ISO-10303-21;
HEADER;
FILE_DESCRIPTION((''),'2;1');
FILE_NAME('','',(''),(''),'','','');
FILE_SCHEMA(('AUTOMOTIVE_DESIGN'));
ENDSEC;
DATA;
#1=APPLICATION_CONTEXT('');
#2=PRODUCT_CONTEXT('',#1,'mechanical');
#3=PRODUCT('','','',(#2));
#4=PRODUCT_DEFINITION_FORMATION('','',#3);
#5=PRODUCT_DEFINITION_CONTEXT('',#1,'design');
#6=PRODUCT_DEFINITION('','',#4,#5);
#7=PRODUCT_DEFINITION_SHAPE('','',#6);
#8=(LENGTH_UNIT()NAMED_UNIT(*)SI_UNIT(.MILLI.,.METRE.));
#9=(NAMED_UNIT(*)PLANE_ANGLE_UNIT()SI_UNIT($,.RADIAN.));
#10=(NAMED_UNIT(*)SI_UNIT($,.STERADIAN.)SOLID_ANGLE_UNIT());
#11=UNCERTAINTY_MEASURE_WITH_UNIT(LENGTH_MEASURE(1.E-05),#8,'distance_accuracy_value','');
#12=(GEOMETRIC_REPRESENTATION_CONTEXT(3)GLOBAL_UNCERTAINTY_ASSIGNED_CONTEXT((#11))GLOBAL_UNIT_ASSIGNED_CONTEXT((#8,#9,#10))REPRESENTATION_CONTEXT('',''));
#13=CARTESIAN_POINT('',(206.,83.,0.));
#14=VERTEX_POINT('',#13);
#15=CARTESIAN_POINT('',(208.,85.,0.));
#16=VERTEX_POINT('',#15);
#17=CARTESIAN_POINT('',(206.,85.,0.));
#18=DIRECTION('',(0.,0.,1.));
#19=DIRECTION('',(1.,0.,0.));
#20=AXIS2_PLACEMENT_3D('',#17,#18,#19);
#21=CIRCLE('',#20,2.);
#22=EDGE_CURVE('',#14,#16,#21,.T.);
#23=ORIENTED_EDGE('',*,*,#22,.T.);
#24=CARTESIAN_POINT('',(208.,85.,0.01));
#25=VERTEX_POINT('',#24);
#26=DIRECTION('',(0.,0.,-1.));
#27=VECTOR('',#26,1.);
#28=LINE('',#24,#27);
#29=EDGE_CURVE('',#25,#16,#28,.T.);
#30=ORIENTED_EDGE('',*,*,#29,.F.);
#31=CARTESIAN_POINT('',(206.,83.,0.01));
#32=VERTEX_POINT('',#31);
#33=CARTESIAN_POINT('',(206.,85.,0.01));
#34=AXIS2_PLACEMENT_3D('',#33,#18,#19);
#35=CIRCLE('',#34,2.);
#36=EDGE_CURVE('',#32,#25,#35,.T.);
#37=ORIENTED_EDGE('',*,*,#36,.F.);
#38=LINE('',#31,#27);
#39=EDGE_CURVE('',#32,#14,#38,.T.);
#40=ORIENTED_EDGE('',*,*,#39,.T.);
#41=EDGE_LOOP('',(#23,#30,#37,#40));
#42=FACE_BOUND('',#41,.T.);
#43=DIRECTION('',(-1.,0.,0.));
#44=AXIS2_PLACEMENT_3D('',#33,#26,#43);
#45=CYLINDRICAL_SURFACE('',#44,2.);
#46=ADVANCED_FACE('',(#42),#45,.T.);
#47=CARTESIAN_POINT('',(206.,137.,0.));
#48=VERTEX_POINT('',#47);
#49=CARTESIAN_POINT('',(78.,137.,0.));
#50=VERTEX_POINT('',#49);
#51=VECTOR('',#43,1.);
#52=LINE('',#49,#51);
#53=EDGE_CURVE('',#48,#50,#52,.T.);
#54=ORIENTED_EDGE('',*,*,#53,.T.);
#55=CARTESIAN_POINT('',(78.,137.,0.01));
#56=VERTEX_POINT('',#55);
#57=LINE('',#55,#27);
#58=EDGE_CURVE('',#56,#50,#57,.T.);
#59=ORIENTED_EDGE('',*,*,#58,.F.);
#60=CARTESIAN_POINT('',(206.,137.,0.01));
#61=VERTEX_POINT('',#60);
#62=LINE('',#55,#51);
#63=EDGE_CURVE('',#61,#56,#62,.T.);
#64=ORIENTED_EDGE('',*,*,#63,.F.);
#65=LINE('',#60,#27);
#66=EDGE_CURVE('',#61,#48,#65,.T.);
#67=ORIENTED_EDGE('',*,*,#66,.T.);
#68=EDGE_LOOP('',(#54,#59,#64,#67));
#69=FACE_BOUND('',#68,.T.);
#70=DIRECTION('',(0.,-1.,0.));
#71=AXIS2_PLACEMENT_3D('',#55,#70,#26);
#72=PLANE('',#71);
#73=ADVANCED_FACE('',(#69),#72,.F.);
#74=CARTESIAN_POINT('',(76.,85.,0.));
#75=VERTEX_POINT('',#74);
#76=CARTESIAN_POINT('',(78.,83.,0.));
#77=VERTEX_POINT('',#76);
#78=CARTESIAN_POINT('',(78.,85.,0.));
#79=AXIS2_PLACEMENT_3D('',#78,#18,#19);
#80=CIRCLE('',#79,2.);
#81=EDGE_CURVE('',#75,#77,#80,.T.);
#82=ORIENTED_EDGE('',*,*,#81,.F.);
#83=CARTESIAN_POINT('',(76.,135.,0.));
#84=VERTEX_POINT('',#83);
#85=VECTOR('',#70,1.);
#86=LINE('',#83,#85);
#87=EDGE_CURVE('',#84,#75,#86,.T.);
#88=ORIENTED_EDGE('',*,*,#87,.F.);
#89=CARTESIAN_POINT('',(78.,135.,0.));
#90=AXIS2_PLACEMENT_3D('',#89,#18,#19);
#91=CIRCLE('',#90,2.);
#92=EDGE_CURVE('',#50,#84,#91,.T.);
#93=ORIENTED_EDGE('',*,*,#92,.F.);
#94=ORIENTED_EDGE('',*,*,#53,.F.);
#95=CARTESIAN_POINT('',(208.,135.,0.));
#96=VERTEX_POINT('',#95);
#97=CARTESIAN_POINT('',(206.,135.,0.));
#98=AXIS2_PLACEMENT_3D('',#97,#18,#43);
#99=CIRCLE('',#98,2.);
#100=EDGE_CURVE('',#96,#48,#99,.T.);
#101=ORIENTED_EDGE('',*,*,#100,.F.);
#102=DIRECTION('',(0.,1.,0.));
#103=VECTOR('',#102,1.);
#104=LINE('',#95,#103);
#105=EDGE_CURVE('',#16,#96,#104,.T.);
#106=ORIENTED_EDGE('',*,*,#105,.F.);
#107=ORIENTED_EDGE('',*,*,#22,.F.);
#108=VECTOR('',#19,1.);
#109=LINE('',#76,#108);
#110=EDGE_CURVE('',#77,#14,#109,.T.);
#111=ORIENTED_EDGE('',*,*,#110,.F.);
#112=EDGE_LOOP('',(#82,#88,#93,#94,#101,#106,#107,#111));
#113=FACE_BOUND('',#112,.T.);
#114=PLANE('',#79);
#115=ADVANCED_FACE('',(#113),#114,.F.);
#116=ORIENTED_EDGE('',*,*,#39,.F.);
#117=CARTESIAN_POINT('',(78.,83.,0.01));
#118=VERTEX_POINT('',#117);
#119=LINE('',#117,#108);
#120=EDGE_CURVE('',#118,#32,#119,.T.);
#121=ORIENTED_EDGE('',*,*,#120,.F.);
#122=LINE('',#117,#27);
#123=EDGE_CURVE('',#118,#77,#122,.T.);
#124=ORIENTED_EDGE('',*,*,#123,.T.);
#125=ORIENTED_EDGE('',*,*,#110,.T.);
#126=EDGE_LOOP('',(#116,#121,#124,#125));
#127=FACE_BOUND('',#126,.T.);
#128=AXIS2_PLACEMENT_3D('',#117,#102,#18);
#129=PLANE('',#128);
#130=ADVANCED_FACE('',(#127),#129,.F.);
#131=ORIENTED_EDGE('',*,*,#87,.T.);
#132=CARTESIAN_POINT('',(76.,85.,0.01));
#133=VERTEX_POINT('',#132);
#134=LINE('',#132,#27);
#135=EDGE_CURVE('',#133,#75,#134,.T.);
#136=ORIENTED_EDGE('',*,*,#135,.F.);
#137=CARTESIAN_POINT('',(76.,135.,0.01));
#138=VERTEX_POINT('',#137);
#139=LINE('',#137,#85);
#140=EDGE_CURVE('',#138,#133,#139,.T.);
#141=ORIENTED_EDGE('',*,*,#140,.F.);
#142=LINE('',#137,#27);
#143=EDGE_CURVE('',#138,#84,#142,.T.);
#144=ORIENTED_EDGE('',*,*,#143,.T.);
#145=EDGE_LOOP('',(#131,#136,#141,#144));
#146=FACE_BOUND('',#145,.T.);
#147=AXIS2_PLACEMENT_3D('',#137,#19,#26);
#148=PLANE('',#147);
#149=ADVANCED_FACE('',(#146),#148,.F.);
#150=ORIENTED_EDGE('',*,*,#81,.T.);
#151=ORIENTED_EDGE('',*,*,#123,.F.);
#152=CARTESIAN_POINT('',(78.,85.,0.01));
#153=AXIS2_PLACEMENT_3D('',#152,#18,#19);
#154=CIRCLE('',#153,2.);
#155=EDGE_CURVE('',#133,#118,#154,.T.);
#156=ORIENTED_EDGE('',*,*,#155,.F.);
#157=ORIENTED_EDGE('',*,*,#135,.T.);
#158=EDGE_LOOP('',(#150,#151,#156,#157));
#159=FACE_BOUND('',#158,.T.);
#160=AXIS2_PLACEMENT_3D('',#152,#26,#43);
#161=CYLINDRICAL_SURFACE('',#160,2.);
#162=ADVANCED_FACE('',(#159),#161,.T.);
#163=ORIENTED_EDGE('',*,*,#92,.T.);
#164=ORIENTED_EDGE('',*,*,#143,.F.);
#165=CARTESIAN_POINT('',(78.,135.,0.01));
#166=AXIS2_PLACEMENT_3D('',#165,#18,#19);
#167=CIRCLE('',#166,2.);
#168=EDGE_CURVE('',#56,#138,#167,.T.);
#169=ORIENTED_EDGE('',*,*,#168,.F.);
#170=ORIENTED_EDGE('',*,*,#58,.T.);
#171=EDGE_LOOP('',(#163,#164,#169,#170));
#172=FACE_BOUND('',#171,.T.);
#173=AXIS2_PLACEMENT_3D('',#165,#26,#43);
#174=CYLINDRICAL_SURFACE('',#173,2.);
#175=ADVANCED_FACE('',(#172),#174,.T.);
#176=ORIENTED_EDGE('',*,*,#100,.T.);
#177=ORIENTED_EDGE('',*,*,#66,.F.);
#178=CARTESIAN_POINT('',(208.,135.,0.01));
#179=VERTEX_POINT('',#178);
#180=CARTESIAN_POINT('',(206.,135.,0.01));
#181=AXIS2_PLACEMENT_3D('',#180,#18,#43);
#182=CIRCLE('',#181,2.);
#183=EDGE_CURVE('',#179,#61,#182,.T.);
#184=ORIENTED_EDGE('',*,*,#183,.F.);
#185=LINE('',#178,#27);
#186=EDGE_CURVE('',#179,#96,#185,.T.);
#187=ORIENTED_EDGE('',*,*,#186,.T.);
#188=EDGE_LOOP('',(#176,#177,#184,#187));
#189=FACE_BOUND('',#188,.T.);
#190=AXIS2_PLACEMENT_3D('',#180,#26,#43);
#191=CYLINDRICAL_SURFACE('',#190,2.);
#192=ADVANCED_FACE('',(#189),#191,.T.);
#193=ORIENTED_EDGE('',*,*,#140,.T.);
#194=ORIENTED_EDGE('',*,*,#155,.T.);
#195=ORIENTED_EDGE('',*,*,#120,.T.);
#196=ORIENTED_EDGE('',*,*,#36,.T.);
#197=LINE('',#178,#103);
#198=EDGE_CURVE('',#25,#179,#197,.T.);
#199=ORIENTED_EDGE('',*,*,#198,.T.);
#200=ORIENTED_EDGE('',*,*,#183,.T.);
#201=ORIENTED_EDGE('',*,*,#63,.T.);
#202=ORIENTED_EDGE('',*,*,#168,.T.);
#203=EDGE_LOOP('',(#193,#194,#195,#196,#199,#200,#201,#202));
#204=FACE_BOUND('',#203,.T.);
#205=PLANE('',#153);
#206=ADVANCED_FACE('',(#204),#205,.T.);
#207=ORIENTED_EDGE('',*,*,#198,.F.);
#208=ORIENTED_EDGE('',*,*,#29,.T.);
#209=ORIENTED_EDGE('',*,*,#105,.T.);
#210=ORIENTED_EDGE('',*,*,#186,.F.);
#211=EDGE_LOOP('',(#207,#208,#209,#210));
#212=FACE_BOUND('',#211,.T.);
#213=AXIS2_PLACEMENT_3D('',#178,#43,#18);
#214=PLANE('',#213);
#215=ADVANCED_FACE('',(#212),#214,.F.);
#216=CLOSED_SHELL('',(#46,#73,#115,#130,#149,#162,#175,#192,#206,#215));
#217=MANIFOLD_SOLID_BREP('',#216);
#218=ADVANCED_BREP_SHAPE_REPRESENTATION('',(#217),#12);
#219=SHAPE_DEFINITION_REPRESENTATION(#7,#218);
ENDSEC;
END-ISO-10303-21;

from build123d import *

# Parameters (mm, degrees)
BOSS_EXTRUDE1_DEPTH = 0.01


with BuildPart() as part:
    # Sketch1 → Boss-Extrude1 (new body)
    with BuildSketch(Plane.XY):
        with BuildLine():
            Line((78, 137), (206, 137))
            ThreePointArc((206, 137), (207.414213562, 136.414213562), (208, 135))
            Line((208, 135), (208, 85))
            ThreePointArc((208, 85), (207.414213562, 83.585786438), (206, 83))
            Line((206, 83), (78, 83))
            ThreePointArc((78, 83), (76.585786438, 83.585786438), (76, 85))
            Line((76, 85), (76, 135))
            ThreePointArc((76, 135), (76.585786438, 136.414213562), (78, 137))
        make_face()
    extrude(amount=BOSS_EXTRUDE1_DEPTH)


solid = part.part
